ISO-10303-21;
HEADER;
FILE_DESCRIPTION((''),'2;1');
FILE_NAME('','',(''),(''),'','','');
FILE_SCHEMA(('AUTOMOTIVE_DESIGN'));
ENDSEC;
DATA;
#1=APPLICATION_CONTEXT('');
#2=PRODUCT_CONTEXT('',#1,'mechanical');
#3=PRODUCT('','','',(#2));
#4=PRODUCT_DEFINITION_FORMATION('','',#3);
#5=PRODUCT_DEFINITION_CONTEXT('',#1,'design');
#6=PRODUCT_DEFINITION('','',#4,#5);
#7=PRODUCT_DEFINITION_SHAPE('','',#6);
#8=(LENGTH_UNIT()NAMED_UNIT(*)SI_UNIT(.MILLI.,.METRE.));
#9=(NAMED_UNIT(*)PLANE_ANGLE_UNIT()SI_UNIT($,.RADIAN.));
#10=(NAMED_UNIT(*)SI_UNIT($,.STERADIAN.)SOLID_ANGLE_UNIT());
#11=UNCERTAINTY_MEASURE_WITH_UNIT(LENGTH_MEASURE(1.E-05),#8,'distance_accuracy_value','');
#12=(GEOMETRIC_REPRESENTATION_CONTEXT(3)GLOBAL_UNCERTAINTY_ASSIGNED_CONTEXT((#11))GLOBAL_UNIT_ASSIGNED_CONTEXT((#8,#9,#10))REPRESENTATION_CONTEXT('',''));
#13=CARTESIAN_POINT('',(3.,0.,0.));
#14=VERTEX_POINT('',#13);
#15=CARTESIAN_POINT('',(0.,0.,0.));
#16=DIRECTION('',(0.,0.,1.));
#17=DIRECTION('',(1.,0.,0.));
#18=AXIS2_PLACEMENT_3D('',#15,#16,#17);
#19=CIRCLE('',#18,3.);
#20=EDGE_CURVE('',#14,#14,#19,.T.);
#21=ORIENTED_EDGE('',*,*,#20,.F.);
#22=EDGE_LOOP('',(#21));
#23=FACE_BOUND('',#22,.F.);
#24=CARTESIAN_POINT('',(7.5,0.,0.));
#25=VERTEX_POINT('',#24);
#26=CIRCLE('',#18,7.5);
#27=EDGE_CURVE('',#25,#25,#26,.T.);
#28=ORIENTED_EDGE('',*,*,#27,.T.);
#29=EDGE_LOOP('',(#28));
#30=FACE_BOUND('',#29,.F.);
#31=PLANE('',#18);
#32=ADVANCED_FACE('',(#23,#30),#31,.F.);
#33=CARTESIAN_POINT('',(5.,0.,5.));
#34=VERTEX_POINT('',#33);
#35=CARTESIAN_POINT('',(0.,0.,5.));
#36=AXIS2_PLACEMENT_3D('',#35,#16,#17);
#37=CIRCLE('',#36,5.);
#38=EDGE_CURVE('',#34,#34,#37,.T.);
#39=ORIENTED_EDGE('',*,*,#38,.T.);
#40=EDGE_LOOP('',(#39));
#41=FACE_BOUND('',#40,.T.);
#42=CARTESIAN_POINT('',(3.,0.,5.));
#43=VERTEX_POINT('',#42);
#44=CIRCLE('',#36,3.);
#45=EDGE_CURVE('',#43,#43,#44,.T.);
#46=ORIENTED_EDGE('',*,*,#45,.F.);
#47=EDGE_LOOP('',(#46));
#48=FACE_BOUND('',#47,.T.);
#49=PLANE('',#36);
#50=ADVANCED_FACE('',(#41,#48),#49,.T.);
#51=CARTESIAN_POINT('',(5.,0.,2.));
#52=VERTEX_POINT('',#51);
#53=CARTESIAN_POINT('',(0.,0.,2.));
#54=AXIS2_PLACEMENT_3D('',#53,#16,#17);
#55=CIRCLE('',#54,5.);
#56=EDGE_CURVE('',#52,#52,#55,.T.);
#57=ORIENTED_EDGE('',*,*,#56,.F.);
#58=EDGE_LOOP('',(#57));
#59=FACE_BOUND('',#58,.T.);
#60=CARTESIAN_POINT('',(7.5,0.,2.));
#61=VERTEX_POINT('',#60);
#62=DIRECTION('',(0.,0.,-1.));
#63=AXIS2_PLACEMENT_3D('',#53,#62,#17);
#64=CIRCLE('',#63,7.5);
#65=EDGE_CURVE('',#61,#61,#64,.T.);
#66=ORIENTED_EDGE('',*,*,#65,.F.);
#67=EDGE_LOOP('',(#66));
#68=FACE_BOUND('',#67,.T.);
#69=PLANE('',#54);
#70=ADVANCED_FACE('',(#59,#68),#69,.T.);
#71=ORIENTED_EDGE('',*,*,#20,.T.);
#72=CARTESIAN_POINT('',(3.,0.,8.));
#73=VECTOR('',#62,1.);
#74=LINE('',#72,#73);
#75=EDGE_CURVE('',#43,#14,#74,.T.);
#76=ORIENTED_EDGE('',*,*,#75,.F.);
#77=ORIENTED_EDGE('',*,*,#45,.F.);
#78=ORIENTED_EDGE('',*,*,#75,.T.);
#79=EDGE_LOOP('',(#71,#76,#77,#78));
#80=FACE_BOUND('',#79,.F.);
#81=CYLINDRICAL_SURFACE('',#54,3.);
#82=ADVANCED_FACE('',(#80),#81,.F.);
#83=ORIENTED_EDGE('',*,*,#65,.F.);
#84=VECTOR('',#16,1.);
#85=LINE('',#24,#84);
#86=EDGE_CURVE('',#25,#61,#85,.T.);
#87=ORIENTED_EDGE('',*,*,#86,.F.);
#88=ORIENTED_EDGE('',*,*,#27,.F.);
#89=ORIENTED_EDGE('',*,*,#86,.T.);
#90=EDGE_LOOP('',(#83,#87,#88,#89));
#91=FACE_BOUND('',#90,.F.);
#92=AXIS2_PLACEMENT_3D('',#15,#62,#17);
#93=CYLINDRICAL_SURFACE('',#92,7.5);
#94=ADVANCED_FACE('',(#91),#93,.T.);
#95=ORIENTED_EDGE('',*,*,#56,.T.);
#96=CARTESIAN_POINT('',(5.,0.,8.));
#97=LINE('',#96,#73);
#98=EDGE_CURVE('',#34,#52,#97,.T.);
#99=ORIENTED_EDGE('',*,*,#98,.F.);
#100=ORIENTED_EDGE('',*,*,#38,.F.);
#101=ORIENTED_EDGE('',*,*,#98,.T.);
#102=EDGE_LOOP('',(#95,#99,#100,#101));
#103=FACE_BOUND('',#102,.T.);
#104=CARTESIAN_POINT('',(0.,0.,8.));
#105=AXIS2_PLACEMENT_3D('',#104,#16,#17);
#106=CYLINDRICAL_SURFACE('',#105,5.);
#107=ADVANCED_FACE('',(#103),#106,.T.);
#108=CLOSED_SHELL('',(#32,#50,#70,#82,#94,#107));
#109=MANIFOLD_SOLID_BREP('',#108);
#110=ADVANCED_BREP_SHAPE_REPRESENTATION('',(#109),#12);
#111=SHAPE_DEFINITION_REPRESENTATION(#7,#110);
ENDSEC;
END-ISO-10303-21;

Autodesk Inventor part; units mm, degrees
ref_plane "YZ Plane" through (0, 0, 0) normal (1, 0, 0) x (0, 1, 0)
ref_plane "XZ Plane" through (0, 0, 0) normal (0, 1, 0) x (-1, 0, 0)
ref_plane "XY Plane" through (0, 0, 0) normal (0, 0, 1) x (1, 0, 0)
sketch "スケッチ1" plane through (0, 0, 0) normal (0, 0, 1) x (1, 0, 0)
  circle A0 centre (0, 0) radius 5
  circle A1 centre (0, 0) radius 7.5
  dimension "d0" = 10
  dimension "d1" = 15
extrude "押し出し1" add sketch "スケッチ1" along normal blind 8 contours A0 | A1
sketch "スケッチ2" plane through (0, 0, 8) normal (0, 0, 1) x (1, 0, 0)
  circle A0 centre (0, 0) radius 5
  circle A1 centre (0, 0) radius 3
  circle A2 centre (0, 0) radius 10
  dimension "d4" = 10
  dimension "d5" = 6
  dimension "d8" = 20
extrude "押し出し2" cut sketch "スケッチ2" against normal blind 6
sketch "スケッチ4" plane through (0, 0, 2) normal (0, 0, 1) x (1, 0, 0)
  circle A0 centre (0, 0) radius 3
extrude "押し出し4" cut sketch "スケッチ4" against normal blind 5
sketch "スケッチ5" plane through (0, 0, 8) normal (0, 0, 1) x (1, 0, 0)
  circle A0 centre (0, 0) radius 10.699
extrude "押し出し5" cut sketch "スケッチ5" against normal blind 3
properties part number "10mm_bearing"
